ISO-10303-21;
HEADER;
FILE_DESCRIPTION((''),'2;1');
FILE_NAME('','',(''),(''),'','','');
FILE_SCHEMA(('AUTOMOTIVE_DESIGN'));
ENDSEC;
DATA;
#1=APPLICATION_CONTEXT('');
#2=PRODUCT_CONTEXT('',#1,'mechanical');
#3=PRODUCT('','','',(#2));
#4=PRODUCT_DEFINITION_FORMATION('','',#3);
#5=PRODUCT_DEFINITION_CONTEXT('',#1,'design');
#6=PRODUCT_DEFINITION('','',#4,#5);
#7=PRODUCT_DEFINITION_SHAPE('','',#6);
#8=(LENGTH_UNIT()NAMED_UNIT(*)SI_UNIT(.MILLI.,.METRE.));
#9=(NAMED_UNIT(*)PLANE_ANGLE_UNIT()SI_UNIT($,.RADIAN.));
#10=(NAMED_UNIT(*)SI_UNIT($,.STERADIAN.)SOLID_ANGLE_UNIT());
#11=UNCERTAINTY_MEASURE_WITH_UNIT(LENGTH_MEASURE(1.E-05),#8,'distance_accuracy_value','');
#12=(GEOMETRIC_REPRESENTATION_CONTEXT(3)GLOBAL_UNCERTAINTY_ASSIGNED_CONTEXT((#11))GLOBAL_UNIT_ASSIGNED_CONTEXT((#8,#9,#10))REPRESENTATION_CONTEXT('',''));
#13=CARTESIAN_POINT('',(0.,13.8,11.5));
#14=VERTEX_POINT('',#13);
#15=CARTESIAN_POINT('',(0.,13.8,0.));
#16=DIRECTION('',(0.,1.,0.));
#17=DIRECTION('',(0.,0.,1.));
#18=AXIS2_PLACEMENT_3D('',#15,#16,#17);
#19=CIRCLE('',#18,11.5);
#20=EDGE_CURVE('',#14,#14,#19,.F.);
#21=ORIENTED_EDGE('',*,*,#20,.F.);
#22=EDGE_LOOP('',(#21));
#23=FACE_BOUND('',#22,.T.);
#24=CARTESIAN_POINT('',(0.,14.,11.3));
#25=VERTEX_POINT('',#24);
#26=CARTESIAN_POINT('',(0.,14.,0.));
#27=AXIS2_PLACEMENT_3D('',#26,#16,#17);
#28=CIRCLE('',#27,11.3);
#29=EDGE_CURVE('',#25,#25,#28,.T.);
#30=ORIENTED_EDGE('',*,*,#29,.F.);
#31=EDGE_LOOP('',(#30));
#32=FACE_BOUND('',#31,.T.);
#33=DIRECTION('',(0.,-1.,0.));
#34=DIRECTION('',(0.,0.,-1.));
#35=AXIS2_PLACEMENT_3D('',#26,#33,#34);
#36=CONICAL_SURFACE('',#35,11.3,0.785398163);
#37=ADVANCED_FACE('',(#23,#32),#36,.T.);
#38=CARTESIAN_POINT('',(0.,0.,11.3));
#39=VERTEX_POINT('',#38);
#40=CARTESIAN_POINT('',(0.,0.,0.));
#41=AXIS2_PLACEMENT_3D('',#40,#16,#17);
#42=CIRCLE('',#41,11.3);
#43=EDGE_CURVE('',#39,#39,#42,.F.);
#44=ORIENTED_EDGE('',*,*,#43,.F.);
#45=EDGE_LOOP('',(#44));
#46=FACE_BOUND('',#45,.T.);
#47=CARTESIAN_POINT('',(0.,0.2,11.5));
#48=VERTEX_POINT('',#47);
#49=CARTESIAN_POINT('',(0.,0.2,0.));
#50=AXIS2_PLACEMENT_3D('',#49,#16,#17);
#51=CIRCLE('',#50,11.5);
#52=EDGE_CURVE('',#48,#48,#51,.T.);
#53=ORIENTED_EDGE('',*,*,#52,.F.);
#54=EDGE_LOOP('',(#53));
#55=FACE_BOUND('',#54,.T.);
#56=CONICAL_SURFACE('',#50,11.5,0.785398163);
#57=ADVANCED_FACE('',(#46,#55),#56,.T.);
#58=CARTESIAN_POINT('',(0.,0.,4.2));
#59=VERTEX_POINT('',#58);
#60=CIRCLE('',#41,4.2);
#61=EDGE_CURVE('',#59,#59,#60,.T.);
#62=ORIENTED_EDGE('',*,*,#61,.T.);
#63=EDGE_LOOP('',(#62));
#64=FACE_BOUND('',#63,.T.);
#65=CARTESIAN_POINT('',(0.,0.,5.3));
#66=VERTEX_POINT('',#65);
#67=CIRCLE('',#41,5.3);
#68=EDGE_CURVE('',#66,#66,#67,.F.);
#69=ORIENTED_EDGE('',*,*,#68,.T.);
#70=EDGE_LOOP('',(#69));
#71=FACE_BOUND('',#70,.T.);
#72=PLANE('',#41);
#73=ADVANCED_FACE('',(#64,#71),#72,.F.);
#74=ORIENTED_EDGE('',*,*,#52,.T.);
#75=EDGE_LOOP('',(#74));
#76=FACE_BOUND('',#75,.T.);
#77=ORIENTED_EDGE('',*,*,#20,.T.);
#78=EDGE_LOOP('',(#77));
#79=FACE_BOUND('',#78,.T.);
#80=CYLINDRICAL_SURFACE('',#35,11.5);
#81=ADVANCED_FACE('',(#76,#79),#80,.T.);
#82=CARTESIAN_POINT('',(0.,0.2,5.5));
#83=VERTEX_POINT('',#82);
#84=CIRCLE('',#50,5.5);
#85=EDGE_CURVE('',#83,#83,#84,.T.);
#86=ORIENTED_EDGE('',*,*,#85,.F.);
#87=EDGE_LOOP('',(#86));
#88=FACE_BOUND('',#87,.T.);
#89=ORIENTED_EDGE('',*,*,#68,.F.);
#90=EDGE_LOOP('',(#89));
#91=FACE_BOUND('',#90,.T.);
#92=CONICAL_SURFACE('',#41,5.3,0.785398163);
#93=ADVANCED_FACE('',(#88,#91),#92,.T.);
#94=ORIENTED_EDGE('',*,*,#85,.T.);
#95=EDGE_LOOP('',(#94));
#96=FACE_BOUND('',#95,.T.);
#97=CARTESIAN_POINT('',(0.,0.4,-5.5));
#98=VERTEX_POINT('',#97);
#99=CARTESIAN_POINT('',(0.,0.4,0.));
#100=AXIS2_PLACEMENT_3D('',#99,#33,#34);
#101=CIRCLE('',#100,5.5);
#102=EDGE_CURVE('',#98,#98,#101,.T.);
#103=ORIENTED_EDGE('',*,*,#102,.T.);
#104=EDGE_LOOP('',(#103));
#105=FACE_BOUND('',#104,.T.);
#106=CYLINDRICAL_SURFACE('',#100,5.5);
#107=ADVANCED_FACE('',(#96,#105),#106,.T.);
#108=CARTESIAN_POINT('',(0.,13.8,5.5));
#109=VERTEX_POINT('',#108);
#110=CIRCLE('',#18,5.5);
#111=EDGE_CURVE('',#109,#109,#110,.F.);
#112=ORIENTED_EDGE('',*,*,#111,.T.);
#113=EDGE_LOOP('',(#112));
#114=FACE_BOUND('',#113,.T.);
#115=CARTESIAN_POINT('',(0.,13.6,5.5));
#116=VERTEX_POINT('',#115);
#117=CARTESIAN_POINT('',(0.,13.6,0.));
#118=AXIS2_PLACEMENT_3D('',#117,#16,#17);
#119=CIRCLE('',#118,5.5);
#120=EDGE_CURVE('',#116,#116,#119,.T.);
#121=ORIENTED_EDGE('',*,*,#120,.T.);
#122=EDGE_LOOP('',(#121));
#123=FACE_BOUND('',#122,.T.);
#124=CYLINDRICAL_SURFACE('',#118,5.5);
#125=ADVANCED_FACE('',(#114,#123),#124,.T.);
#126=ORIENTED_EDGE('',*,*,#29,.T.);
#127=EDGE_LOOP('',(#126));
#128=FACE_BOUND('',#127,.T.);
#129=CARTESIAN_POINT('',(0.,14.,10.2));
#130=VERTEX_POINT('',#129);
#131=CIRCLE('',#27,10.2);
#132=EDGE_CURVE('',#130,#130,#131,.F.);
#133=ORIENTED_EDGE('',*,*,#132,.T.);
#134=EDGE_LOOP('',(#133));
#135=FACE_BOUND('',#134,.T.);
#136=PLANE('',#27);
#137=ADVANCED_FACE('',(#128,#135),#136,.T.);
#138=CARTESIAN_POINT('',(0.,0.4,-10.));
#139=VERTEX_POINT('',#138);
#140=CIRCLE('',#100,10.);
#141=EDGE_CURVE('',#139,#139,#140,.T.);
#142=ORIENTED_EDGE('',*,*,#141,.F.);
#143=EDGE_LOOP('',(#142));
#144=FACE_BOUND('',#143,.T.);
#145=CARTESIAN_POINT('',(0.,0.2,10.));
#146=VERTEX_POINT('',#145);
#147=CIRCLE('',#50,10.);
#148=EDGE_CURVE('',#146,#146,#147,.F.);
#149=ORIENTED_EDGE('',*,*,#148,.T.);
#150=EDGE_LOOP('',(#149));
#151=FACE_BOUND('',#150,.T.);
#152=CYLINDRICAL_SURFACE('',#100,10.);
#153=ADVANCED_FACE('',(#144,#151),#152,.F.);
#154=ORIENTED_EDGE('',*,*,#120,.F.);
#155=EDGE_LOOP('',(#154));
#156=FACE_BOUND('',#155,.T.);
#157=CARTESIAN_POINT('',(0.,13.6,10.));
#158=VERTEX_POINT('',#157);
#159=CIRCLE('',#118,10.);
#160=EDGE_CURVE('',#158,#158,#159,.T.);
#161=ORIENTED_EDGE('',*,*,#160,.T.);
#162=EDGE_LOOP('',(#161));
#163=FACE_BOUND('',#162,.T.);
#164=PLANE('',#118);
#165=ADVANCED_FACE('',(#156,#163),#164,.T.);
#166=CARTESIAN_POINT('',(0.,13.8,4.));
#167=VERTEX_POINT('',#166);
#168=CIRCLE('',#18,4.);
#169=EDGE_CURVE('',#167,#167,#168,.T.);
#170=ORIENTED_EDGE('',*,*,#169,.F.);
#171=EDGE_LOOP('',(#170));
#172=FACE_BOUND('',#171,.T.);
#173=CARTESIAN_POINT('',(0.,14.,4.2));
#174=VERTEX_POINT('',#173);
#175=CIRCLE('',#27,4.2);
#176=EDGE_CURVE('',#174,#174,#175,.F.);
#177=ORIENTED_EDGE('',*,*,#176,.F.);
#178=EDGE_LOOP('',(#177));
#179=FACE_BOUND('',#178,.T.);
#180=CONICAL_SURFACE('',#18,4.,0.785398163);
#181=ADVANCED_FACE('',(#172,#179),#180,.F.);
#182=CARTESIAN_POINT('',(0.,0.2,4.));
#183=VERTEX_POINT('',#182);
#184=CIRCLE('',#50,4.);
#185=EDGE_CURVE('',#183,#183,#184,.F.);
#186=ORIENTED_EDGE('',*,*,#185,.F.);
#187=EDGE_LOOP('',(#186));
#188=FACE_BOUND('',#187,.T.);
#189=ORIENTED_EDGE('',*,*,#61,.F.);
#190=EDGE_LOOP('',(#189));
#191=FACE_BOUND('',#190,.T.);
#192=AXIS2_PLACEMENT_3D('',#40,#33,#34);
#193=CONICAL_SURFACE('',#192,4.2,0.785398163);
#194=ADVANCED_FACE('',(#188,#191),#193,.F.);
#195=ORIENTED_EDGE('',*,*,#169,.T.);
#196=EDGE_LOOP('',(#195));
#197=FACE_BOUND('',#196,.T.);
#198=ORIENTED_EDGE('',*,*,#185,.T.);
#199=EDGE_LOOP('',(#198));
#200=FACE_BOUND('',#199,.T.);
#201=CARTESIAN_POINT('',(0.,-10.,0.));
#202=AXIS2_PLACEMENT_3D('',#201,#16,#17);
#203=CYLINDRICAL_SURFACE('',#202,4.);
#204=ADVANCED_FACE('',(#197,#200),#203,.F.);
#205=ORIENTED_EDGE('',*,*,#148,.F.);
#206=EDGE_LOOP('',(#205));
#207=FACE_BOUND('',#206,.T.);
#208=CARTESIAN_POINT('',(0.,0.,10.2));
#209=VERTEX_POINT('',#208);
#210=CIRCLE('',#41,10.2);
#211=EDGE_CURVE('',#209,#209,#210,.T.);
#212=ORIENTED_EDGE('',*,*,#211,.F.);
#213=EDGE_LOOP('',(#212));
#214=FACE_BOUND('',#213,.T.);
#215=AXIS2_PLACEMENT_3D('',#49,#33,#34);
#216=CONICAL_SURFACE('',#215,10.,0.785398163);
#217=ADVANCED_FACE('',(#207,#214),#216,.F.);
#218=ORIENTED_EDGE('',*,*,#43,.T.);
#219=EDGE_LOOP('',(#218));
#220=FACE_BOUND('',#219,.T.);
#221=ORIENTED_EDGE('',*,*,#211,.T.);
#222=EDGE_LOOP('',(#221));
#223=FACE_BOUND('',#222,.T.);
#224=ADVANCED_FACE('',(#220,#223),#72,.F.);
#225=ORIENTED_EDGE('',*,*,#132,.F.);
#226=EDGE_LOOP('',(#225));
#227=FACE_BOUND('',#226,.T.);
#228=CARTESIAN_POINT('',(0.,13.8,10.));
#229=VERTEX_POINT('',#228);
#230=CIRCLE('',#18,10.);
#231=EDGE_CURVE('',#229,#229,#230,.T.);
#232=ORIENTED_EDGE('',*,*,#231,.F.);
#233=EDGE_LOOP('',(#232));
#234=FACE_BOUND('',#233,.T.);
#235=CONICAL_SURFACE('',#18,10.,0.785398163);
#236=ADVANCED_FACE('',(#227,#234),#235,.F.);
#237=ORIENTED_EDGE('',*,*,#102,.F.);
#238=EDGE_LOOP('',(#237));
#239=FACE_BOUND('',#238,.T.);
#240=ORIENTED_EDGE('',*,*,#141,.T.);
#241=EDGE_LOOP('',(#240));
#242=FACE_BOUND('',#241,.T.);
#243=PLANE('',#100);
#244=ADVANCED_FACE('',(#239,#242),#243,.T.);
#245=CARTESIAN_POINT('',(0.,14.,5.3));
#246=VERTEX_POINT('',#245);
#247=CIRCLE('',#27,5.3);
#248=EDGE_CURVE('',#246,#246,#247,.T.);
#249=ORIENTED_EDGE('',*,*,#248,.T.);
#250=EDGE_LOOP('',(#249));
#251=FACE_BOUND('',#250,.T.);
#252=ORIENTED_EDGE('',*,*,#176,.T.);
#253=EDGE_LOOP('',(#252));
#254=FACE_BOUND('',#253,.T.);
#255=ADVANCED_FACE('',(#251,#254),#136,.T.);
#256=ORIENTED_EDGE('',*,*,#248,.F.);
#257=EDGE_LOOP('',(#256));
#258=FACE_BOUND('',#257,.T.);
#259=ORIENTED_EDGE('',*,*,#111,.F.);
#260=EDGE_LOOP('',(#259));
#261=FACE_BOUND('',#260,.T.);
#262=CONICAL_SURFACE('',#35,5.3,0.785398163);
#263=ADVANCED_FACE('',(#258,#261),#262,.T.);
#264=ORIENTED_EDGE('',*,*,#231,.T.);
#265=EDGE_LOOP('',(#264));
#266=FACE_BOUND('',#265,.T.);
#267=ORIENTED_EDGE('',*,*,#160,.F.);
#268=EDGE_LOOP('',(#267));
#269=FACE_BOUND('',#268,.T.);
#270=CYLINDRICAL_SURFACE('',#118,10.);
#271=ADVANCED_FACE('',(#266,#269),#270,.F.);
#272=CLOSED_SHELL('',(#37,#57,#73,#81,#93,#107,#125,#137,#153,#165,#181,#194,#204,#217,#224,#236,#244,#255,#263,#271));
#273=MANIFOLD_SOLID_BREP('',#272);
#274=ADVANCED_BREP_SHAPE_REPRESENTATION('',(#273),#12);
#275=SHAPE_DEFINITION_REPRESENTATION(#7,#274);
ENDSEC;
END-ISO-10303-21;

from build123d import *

# Parameters (mm, degrees)
SKETCH_1_R          = 11.5
EXTRUDE_1_DEPTH     = 14
SKETCH_2_R          = 4
CUT_EXTRUDE_1_DEPTH = 24
SKETCH_3_R          = 10
SKETCH_3_R_2        = 5.5
CUT_EXTRUDE_2_DEPTH = 0.4
SKETCH_4_R          = 10
SKETCH_4_R_2        = 5.5
CUT_EXTRUDE_3_DEPTH = 0.4
CHAMFER_1_SIZE      = 0.2


with BuildPart() as part:
    # 草图1 → 凸台-拉伸1 (new body)
    with BuildSketch(Plane(origin=(0, 0, 0), x_dir=(1, 0, 0), z_dir=(0, 1, 0))):
        Circle(SKETCH_1_R)
    extrude(amount=EXTRUDE_1_DEPTH)

    # 草图2 → 切除-拉伸1 (cut)
    with BuildSketch(Plane(origin=(0, 14, 0), x_dir=(1, 0, 0), z_dir=(0, 1, 0))):
        Circle(SKETCH_2_R)
    extrude(amount=-CUT_EXTRUDE_1_DEPTH, mode=Mode.SUBTRACT)

    # 草图3 → 切除-拉伸2 (cut)
    with BuildSketch(Plane(origin=(0, 14, 0), x_dir=(1, 0, 0), z_dir=(0, 1, 0))):
        Circle(SKETCH_3_R)
        Circle(SKETCH_3_R_2, mode=Mode.SUBTRACT)
    extrude(amount=-CUT_EXTRUDE_2_DEPTH, mode=Mode.SUBTRACT)

    # 草图4 → 切除-拉伸3 (cut)
    with BuildSketch(Plane.XZ):
        Circle(SKETCH_4_R)
        Circle(SKETCH_4_R_2, mode=Mode.SUBTRACT)
    extrude(amount=-CUT_EXTRUDE_3_DEPTH, mode=Mode.SUBTRACT)

    # 倒角1
    chamfer_1_edges = [part.edges().sort_by_distance(p)[0] for p in [
        (-10, 14, 0),
        (-5.5, 14, 0),
        (-11.5, 0, 0),
        (-10, 0, 0),
        (-5.5, 0, 0),
        (-11.5, 14, 0),
        (-4, 0, 0),
        (-4, 14, 0),
    ]]
    chamfer(chamfer_1_edges, length=CHAMFER_1_SIZE)


solid = part.part
